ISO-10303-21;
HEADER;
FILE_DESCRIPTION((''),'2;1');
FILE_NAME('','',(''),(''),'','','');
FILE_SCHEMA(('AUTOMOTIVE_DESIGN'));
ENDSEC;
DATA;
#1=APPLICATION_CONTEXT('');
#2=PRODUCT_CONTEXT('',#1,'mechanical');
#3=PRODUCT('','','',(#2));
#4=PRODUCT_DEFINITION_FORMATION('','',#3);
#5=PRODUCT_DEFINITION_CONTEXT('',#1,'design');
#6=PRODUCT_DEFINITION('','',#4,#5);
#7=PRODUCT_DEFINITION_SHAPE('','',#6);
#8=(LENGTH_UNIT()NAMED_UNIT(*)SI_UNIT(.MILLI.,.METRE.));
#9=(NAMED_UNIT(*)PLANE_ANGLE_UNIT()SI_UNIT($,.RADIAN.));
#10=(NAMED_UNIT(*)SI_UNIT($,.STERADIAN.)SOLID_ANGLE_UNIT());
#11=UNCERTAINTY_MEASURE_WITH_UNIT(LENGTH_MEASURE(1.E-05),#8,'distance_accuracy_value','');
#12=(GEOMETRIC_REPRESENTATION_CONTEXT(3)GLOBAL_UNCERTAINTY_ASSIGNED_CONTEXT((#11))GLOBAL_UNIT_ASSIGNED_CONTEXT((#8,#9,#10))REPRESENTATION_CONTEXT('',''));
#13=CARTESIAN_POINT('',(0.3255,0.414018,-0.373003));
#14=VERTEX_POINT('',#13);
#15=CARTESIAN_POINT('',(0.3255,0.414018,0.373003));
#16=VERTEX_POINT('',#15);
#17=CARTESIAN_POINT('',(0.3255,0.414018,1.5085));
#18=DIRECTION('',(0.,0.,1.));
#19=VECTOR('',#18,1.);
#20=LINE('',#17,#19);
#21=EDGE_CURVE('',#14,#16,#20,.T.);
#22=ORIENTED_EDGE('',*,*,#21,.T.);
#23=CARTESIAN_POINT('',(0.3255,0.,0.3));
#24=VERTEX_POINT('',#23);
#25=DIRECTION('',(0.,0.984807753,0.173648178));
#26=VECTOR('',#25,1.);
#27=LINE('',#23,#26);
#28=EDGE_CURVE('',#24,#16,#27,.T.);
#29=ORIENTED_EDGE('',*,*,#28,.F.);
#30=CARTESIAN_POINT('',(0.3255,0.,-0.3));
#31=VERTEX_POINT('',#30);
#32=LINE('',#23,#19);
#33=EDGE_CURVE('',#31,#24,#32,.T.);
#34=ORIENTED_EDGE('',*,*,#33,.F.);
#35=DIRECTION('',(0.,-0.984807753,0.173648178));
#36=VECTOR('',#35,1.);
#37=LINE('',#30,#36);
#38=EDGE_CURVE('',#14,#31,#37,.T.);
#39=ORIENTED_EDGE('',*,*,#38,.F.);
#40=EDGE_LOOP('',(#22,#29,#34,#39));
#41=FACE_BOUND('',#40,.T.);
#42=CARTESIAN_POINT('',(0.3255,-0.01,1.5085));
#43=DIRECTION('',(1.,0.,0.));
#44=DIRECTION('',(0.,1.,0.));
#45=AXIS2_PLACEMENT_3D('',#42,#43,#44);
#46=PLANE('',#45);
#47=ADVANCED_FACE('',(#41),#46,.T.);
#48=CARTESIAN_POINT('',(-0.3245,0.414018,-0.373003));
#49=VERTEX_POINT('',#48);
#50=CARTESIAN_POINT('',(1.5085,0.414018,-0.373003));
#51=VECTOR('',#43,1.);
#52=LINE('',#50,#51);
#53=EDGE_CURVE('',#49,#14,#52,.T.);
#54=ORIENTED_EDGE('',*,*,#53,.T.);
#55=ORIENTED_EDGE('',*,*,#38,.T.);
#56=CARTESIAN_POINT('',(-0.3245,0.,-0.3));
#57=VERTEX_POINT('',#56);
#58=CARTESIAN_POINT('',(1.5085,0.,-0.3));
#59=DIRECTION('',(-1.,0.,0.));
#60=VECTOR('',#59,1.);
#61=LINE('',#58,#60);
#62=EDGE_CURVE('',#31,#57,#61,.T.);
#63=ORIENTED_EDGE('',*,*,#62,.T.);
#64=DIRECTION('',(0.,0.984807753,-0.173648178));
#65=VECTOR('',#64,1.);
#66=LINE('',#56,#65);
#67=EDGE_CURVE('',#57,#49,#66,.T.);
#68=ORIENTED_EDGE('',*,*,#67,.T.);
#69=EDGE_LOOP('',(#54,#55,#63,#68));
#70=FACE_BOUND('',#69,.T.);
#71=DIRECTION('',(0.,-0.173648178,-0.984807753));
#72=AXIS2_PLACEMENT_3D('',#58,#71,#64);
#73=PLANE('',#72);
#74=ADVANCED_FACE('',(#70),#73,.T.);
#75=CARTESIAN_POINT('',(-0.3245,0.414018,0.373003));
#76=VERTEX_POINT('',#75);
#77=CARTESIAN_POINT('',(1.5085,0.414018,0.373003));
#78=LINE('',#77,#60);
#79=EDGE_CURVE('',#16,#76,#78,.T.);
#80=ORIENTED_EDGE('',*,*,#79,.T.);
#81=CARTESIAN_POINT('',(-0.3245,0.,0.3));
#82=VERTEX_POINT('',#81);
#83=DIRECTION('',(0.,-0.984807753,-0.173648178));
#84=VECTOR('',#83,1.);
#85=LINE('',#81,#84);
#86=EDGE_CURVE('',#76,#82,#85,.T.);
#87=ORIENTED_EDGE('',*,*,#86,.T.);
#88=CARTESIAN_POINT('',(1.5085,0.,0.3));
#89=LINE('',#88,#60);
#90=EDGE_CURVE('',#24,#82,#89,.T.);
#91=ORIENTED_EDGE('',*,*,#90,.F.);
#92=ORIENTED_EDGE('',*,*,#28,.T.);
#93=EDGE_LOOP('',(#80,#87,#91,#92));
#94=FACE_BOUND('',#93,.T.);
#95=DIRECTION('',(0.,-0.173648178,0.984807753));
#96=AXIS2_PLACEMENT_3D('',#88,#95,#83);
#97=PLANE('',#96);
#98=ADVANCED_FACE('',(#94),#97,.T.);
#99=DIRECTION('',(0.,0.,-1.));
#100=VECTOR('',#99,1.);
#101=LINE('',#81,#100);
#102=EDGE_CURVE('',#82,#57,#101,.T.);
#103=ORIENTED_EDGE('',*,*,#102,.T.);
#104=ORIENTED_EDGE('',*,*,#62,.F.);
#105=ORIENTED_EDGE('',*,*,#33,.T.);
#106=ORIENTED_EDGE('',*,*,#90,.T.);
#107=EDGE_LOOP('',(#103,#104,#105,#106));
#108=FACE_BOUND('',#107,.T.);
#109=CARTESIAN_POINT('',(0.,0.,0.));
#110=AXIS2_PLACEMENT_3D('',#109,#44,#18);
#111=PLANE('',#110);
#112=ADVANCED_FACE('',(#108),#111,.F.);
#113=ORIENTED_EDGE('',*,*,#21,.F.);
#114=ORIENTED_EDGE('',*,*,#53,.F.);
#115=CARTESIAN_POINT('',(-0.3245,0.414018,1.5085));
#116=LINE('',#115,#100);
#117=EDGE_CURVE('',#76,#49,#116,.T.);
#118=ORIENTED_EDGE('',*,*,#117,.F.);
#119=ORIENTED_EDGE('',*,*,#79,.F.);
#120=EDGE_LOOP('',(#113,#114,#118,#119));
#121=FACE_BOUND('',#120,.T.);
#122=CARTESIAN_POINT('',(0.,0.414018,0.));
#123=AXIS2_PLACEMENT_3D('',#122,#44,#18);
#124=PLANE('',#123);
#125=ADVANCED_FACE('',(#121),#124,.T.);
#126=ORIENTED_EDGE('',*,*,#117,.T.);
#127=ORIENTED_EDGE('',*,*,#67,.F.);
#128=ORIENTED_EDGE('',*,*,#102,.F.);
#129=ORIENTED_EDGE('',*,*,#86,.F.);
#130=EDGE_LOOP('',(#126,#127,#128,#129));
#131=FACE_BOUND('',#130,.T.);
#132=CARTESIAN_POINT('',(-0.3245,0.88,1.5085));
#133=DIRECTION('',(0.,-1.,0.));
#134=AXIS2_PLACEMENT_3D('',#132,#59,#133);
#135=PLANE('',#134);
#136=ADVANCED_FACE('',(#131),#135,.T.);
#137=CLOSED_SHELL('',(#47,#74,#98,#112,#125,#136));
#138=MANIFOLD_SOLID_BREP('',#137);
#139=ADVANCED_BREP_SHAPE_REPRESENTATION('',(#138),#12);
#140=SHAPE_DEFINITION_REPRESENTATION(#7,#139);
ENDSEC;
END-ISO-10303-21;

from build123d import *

# Parameters (mm, degrees)
SKETCH_TL_CUTTING_R    = 1.498500051
TL_CUTTING_DEPTH       = 29.999999944
SKETCH_TDF_CUTTING_W   = 3.017000062
SKETCH_TDF_CUTTING_H   = 3.017000062
TDF_CUTTING_DEPTH      = 31.074756881
VW_VR_GRINDING_DEPTH   = 1.508500031
VW_VR_GRINDING_2_DEPTH = 1.508500031
ISA_GRINDING_DEPTH     = 1.508500031
SKETCH_PRE_FRX_BRX_W   = 1.16299996
SKETCH_PRE_FRX_BRX_H   = 0.889999998
SKETCH_PRE_FRX_BRX_W_2 = 1.194000152
PRE_FRX_BRX_DEPTH      = 1.508500031
FA_BA_GRINDING_DEPTH   = 1.508500031


with BuildPart() as part:
    # sketch_TL_cutting → TL_cutting (new body)
    with BuildSketch(Plane(origin=(0, 0, 0), x_dir=(1, 0, 0), z_dir=(0, 1, 0))):
        with Locations(Location((0, 0, 0), (0, 0, 270))):
            Circle(SKETCH_TL_CUTTING_R)
    extrude(amount=TL_CUTTING_DEPTH)

    # sketch_TDF_cutting → TDF_cutting (cut, through all)
    with BuildSketch(Plane(origin=(0, 0, 0), x_dir=(1, 0, 0), z_dir=(0, 1, 0))):
        with Locations((-2.709999914, 0)):
            Rectangle(SKETCH_TDF_CUTTING_W, SKETCH_TDF_CUTTING_H)
    extrude(amount=TDF_CUTTING_DEPTH, mode=Mode.SUBTRACT)


with BuildPart() as body_2:
    # sketch_VW_VR_grinding → VW_VR_grinding (new, symmetric)
    with BuildSketch(Plane(origin=(0, 0, 0), x_dir=(0, 0, -1), z_dir=(1, 0, 0))):
        with BuildLine():
            Line((-1.493500061, -0.00999998), (-1.493500061, 0.878888912))
            ThreePointArc((-1.493500061, 0.878888912), (-1.493548388, 0.87999579), (-1.493693003, 0.881094244))
            Line((-1.493693003, 0.881094244), (-1.518500011, 1.02178178))
            Line((-1.518500011, 1.02178178), (-1.508500031, -0.00999998))
            Line((-1.508500031, -0.00999998), (-1.493500061, -0.00999998))
        make_face()
    extrude(amount=VW_VR_GRINDING_DEPTH, both=True)


with BuildPart() as body_3:
    # sketch_VW_VR_grinding → VW_VR_grinding 2 (new, symmetric)
    with BuildSketch(Plane(origin=(0, 0, 0), x_dir=(0, 0, -1), z_dir=(1, 0, 0))):
        with BuildLine():
            Line((1.493500061, -0.00999998), (1.493500061, 0.878888912))
            ThreePointArc((1.493500061, 0.878888912), (1.493548388, 0.87999579), (1.493693003, 0.881094244))
            Line((1.493693003, 0.881094244), (1.518500011, 1.02178178))
            Line((1.518500011, 1.02178178), (1.508500031, -0.00999998))
            Line((1.508500031, -0.00999998), (1.493500061, -0.00999998))
        make_face()
    extrude(amount=VW_VR_GRINDING_2_DEPTH, both=True)


    add(body_2.part)  # ISA_grinding merges body 2
    # sketch_ISA_grinding → ISA_grinding (add, symmetric)
    with BuildSketch(Plane(origin=(0, 0, 0), x_dir=(0, 0, -1), z_dir=(1, 0, 0))):
        Polygon((-0.300000035, 0), (0.300000035, 0), (1.508500031, 6.853744056), (1.508500031, -0.02999994), (-1.508500031, -0.02999994), (-1.508500031, 6.853744056), align=None)
    extrude(amount=ISA_GRINDING_DEPTH, both=True)

    # sketch_pre_FRX_BRX → pre_FRX_BRX (add, symmetric)
    with BuildSketch(Plane.XY):
        with Locations((0.917000071, 0.435000019)):
            Rectangle(SKETCH_PRE_FRX_BRX_W, SKETCH_PRE_FRX_BRX_H)
        with Locations((-0.921499935, 0.435000019)):
            Rectangle(SKETCH_PRE_FRX_BRX_W_2, SKETCH_PRE_FRX_BRX_H)
    extrude(amount=PRE_FRX_BRX_DEPTH, both=True)

    # sketch_FA_BA_grinding → FA_BA_grinding (add, symmetric)
    with BuildSketch(Plane.XY):
        Polygon((0.325500111, -0.00999998), (0.325500111, 0.889999998), (1.625500051, 10.13998021), (1.625500051, -0.00999998), align=None)
        Polygon((-0.324499859, -0.00999998), (-0.324499859, 0.889999998), (-1.328499883, 8.03383137), (-1.328499883, -0.00999998), align=None)
    extrude(amount=FA_BA_GRINDING_DEPTH, both=True)


with BuildPart() as part_1:
    add(part.part)

    # B1_fix: cut body 3
    add(body_3.part, mode=Mode.SUBTRACT)

    # SurfaceCut1
    split(bisect_by=Plane(origin=(0, 0.41401793, 0), x_dir=(1, 0, 0), z_dir=(0, 1, 0)), keep=Keep.BOTTOM)


solid = part_1.part
